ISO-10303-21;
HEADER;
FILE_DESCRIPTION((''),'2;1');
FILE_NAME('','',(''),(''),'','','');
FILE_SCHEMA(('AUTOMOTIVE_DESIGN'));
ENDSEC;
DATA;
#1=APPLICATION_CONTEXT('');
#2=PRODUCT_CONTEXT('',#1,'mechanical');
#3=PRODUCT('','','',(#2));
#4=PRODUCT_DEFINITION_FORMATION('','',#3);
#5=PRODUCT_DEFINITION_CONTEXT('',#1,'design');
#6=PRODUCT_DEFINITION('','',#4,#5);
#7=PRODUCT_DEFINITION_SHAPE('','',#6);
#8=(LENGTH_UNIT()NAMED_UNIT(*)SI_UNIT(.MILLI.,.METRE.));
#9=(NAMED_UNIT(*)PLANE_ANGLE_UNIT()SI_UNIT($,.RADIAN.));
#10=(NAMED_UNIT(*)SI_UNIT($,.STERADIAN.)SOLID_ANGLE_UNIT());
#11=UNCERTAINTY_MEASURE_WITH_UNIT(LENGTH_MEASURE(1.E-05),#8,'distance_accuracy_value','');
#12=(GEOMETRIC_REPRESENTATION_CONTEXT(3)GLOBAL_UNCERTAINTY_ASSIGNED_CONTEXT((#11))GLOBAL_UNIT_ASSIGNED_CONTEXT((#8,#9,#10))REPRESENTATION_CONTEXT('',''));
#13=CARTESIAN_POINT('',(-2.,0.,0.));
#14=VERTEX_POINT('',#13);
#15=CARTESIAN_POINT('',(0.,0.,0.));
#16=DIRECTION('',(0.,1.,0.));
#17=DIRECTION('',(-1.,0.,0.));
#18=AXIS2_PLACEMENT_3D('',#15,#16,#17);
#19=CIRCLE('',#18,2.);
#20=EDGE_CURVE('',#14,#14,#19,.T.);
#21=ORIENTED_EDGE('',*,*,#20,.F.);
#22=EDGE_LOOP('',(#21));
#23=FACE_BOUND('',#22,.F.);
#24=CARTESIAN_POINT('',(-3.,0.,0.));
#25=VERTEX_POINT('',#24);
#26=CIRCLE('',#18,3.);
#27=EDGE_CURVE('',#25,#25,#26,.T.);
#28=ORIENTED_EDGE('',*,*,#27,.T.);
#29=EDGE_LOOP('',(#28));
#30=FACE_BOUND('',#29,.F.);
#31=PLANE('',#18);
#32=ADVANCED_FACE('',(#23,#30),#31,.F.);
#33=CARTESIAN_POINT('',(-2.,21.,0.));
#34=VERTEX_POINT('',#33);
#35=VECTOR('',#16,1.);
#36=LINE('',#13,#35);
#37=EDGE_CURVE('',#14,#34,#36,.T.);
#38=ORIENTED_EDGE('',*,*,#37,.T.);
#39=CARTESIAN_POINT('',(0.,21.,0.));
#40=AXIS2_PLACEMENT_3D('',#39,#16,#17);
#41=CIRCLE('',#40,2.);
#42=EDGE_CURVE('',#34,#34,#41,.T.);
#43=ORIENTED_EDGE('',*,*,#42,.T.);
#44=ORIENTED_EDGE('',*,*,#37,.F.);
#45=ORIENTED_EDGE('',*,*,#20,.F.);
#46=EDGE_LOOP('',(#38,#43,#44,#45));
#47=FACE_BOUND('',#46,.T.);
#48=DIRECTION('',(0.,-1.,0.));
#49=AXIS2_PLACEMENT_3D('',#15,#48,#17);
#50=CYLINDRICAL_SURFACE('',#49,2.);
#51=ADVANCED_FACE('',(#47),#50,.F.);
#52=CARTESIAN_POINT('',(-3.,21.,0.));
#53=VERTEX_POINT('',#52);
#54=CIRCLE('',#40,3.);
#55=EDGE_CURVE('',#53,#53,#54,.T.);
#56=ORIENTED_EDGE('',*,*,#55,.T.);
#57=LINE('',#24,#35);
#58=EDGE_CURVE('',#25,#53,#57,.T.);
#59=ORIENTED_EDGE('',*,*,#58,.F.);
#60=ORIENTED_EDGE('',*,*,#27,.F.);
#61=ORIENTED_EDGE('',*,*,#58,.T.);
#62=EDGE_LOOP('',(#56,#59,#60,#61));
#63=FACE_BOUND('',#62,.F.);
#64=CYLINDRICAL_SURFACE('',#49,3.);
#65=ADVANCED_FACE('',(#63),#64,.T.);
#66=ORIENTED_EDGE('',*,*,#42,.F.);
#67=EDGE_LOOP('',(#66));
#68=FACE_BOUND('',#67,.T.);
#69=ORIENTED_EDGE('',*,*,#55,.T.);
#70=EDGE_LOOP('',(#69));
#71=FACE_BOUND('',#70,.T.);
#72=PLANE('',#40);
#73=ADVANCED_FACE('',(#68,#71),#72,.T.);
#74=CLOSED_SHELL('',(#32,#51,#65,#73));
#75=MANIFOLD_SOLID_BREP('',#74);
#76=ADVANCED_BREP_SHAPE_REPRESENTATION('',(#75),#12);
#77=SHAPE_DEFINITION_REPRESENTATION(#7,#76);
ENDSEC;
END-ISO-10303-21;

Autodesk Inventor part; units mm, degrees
ref_plane "YZ Plane" through (0, 0, 0) normal (1, 0, 0) x (0, 1, 0)
ref_plane "XZ Plane" through (0, 0, 0) normal (0, 1, 0) x (-1, 0, 0)
ref_plane "XY Plane" through (0, 0, 0) normal (0, 0, 1) x (1, 0, 0)
sketch "Sketch1" plane through (0, 0, 0) normal (0, 1, 0) x (-1, 0, 0)
  circle A0 centre (0, 0) radius 2
  circle A1 centre (0, 0) radius 3
  dimension "d0" = 4
  dimension "d1" = 6
extrude "Extrusion1" add sketch "Sketch1" along normal blind 21
properties part number "Electronics spacer"
